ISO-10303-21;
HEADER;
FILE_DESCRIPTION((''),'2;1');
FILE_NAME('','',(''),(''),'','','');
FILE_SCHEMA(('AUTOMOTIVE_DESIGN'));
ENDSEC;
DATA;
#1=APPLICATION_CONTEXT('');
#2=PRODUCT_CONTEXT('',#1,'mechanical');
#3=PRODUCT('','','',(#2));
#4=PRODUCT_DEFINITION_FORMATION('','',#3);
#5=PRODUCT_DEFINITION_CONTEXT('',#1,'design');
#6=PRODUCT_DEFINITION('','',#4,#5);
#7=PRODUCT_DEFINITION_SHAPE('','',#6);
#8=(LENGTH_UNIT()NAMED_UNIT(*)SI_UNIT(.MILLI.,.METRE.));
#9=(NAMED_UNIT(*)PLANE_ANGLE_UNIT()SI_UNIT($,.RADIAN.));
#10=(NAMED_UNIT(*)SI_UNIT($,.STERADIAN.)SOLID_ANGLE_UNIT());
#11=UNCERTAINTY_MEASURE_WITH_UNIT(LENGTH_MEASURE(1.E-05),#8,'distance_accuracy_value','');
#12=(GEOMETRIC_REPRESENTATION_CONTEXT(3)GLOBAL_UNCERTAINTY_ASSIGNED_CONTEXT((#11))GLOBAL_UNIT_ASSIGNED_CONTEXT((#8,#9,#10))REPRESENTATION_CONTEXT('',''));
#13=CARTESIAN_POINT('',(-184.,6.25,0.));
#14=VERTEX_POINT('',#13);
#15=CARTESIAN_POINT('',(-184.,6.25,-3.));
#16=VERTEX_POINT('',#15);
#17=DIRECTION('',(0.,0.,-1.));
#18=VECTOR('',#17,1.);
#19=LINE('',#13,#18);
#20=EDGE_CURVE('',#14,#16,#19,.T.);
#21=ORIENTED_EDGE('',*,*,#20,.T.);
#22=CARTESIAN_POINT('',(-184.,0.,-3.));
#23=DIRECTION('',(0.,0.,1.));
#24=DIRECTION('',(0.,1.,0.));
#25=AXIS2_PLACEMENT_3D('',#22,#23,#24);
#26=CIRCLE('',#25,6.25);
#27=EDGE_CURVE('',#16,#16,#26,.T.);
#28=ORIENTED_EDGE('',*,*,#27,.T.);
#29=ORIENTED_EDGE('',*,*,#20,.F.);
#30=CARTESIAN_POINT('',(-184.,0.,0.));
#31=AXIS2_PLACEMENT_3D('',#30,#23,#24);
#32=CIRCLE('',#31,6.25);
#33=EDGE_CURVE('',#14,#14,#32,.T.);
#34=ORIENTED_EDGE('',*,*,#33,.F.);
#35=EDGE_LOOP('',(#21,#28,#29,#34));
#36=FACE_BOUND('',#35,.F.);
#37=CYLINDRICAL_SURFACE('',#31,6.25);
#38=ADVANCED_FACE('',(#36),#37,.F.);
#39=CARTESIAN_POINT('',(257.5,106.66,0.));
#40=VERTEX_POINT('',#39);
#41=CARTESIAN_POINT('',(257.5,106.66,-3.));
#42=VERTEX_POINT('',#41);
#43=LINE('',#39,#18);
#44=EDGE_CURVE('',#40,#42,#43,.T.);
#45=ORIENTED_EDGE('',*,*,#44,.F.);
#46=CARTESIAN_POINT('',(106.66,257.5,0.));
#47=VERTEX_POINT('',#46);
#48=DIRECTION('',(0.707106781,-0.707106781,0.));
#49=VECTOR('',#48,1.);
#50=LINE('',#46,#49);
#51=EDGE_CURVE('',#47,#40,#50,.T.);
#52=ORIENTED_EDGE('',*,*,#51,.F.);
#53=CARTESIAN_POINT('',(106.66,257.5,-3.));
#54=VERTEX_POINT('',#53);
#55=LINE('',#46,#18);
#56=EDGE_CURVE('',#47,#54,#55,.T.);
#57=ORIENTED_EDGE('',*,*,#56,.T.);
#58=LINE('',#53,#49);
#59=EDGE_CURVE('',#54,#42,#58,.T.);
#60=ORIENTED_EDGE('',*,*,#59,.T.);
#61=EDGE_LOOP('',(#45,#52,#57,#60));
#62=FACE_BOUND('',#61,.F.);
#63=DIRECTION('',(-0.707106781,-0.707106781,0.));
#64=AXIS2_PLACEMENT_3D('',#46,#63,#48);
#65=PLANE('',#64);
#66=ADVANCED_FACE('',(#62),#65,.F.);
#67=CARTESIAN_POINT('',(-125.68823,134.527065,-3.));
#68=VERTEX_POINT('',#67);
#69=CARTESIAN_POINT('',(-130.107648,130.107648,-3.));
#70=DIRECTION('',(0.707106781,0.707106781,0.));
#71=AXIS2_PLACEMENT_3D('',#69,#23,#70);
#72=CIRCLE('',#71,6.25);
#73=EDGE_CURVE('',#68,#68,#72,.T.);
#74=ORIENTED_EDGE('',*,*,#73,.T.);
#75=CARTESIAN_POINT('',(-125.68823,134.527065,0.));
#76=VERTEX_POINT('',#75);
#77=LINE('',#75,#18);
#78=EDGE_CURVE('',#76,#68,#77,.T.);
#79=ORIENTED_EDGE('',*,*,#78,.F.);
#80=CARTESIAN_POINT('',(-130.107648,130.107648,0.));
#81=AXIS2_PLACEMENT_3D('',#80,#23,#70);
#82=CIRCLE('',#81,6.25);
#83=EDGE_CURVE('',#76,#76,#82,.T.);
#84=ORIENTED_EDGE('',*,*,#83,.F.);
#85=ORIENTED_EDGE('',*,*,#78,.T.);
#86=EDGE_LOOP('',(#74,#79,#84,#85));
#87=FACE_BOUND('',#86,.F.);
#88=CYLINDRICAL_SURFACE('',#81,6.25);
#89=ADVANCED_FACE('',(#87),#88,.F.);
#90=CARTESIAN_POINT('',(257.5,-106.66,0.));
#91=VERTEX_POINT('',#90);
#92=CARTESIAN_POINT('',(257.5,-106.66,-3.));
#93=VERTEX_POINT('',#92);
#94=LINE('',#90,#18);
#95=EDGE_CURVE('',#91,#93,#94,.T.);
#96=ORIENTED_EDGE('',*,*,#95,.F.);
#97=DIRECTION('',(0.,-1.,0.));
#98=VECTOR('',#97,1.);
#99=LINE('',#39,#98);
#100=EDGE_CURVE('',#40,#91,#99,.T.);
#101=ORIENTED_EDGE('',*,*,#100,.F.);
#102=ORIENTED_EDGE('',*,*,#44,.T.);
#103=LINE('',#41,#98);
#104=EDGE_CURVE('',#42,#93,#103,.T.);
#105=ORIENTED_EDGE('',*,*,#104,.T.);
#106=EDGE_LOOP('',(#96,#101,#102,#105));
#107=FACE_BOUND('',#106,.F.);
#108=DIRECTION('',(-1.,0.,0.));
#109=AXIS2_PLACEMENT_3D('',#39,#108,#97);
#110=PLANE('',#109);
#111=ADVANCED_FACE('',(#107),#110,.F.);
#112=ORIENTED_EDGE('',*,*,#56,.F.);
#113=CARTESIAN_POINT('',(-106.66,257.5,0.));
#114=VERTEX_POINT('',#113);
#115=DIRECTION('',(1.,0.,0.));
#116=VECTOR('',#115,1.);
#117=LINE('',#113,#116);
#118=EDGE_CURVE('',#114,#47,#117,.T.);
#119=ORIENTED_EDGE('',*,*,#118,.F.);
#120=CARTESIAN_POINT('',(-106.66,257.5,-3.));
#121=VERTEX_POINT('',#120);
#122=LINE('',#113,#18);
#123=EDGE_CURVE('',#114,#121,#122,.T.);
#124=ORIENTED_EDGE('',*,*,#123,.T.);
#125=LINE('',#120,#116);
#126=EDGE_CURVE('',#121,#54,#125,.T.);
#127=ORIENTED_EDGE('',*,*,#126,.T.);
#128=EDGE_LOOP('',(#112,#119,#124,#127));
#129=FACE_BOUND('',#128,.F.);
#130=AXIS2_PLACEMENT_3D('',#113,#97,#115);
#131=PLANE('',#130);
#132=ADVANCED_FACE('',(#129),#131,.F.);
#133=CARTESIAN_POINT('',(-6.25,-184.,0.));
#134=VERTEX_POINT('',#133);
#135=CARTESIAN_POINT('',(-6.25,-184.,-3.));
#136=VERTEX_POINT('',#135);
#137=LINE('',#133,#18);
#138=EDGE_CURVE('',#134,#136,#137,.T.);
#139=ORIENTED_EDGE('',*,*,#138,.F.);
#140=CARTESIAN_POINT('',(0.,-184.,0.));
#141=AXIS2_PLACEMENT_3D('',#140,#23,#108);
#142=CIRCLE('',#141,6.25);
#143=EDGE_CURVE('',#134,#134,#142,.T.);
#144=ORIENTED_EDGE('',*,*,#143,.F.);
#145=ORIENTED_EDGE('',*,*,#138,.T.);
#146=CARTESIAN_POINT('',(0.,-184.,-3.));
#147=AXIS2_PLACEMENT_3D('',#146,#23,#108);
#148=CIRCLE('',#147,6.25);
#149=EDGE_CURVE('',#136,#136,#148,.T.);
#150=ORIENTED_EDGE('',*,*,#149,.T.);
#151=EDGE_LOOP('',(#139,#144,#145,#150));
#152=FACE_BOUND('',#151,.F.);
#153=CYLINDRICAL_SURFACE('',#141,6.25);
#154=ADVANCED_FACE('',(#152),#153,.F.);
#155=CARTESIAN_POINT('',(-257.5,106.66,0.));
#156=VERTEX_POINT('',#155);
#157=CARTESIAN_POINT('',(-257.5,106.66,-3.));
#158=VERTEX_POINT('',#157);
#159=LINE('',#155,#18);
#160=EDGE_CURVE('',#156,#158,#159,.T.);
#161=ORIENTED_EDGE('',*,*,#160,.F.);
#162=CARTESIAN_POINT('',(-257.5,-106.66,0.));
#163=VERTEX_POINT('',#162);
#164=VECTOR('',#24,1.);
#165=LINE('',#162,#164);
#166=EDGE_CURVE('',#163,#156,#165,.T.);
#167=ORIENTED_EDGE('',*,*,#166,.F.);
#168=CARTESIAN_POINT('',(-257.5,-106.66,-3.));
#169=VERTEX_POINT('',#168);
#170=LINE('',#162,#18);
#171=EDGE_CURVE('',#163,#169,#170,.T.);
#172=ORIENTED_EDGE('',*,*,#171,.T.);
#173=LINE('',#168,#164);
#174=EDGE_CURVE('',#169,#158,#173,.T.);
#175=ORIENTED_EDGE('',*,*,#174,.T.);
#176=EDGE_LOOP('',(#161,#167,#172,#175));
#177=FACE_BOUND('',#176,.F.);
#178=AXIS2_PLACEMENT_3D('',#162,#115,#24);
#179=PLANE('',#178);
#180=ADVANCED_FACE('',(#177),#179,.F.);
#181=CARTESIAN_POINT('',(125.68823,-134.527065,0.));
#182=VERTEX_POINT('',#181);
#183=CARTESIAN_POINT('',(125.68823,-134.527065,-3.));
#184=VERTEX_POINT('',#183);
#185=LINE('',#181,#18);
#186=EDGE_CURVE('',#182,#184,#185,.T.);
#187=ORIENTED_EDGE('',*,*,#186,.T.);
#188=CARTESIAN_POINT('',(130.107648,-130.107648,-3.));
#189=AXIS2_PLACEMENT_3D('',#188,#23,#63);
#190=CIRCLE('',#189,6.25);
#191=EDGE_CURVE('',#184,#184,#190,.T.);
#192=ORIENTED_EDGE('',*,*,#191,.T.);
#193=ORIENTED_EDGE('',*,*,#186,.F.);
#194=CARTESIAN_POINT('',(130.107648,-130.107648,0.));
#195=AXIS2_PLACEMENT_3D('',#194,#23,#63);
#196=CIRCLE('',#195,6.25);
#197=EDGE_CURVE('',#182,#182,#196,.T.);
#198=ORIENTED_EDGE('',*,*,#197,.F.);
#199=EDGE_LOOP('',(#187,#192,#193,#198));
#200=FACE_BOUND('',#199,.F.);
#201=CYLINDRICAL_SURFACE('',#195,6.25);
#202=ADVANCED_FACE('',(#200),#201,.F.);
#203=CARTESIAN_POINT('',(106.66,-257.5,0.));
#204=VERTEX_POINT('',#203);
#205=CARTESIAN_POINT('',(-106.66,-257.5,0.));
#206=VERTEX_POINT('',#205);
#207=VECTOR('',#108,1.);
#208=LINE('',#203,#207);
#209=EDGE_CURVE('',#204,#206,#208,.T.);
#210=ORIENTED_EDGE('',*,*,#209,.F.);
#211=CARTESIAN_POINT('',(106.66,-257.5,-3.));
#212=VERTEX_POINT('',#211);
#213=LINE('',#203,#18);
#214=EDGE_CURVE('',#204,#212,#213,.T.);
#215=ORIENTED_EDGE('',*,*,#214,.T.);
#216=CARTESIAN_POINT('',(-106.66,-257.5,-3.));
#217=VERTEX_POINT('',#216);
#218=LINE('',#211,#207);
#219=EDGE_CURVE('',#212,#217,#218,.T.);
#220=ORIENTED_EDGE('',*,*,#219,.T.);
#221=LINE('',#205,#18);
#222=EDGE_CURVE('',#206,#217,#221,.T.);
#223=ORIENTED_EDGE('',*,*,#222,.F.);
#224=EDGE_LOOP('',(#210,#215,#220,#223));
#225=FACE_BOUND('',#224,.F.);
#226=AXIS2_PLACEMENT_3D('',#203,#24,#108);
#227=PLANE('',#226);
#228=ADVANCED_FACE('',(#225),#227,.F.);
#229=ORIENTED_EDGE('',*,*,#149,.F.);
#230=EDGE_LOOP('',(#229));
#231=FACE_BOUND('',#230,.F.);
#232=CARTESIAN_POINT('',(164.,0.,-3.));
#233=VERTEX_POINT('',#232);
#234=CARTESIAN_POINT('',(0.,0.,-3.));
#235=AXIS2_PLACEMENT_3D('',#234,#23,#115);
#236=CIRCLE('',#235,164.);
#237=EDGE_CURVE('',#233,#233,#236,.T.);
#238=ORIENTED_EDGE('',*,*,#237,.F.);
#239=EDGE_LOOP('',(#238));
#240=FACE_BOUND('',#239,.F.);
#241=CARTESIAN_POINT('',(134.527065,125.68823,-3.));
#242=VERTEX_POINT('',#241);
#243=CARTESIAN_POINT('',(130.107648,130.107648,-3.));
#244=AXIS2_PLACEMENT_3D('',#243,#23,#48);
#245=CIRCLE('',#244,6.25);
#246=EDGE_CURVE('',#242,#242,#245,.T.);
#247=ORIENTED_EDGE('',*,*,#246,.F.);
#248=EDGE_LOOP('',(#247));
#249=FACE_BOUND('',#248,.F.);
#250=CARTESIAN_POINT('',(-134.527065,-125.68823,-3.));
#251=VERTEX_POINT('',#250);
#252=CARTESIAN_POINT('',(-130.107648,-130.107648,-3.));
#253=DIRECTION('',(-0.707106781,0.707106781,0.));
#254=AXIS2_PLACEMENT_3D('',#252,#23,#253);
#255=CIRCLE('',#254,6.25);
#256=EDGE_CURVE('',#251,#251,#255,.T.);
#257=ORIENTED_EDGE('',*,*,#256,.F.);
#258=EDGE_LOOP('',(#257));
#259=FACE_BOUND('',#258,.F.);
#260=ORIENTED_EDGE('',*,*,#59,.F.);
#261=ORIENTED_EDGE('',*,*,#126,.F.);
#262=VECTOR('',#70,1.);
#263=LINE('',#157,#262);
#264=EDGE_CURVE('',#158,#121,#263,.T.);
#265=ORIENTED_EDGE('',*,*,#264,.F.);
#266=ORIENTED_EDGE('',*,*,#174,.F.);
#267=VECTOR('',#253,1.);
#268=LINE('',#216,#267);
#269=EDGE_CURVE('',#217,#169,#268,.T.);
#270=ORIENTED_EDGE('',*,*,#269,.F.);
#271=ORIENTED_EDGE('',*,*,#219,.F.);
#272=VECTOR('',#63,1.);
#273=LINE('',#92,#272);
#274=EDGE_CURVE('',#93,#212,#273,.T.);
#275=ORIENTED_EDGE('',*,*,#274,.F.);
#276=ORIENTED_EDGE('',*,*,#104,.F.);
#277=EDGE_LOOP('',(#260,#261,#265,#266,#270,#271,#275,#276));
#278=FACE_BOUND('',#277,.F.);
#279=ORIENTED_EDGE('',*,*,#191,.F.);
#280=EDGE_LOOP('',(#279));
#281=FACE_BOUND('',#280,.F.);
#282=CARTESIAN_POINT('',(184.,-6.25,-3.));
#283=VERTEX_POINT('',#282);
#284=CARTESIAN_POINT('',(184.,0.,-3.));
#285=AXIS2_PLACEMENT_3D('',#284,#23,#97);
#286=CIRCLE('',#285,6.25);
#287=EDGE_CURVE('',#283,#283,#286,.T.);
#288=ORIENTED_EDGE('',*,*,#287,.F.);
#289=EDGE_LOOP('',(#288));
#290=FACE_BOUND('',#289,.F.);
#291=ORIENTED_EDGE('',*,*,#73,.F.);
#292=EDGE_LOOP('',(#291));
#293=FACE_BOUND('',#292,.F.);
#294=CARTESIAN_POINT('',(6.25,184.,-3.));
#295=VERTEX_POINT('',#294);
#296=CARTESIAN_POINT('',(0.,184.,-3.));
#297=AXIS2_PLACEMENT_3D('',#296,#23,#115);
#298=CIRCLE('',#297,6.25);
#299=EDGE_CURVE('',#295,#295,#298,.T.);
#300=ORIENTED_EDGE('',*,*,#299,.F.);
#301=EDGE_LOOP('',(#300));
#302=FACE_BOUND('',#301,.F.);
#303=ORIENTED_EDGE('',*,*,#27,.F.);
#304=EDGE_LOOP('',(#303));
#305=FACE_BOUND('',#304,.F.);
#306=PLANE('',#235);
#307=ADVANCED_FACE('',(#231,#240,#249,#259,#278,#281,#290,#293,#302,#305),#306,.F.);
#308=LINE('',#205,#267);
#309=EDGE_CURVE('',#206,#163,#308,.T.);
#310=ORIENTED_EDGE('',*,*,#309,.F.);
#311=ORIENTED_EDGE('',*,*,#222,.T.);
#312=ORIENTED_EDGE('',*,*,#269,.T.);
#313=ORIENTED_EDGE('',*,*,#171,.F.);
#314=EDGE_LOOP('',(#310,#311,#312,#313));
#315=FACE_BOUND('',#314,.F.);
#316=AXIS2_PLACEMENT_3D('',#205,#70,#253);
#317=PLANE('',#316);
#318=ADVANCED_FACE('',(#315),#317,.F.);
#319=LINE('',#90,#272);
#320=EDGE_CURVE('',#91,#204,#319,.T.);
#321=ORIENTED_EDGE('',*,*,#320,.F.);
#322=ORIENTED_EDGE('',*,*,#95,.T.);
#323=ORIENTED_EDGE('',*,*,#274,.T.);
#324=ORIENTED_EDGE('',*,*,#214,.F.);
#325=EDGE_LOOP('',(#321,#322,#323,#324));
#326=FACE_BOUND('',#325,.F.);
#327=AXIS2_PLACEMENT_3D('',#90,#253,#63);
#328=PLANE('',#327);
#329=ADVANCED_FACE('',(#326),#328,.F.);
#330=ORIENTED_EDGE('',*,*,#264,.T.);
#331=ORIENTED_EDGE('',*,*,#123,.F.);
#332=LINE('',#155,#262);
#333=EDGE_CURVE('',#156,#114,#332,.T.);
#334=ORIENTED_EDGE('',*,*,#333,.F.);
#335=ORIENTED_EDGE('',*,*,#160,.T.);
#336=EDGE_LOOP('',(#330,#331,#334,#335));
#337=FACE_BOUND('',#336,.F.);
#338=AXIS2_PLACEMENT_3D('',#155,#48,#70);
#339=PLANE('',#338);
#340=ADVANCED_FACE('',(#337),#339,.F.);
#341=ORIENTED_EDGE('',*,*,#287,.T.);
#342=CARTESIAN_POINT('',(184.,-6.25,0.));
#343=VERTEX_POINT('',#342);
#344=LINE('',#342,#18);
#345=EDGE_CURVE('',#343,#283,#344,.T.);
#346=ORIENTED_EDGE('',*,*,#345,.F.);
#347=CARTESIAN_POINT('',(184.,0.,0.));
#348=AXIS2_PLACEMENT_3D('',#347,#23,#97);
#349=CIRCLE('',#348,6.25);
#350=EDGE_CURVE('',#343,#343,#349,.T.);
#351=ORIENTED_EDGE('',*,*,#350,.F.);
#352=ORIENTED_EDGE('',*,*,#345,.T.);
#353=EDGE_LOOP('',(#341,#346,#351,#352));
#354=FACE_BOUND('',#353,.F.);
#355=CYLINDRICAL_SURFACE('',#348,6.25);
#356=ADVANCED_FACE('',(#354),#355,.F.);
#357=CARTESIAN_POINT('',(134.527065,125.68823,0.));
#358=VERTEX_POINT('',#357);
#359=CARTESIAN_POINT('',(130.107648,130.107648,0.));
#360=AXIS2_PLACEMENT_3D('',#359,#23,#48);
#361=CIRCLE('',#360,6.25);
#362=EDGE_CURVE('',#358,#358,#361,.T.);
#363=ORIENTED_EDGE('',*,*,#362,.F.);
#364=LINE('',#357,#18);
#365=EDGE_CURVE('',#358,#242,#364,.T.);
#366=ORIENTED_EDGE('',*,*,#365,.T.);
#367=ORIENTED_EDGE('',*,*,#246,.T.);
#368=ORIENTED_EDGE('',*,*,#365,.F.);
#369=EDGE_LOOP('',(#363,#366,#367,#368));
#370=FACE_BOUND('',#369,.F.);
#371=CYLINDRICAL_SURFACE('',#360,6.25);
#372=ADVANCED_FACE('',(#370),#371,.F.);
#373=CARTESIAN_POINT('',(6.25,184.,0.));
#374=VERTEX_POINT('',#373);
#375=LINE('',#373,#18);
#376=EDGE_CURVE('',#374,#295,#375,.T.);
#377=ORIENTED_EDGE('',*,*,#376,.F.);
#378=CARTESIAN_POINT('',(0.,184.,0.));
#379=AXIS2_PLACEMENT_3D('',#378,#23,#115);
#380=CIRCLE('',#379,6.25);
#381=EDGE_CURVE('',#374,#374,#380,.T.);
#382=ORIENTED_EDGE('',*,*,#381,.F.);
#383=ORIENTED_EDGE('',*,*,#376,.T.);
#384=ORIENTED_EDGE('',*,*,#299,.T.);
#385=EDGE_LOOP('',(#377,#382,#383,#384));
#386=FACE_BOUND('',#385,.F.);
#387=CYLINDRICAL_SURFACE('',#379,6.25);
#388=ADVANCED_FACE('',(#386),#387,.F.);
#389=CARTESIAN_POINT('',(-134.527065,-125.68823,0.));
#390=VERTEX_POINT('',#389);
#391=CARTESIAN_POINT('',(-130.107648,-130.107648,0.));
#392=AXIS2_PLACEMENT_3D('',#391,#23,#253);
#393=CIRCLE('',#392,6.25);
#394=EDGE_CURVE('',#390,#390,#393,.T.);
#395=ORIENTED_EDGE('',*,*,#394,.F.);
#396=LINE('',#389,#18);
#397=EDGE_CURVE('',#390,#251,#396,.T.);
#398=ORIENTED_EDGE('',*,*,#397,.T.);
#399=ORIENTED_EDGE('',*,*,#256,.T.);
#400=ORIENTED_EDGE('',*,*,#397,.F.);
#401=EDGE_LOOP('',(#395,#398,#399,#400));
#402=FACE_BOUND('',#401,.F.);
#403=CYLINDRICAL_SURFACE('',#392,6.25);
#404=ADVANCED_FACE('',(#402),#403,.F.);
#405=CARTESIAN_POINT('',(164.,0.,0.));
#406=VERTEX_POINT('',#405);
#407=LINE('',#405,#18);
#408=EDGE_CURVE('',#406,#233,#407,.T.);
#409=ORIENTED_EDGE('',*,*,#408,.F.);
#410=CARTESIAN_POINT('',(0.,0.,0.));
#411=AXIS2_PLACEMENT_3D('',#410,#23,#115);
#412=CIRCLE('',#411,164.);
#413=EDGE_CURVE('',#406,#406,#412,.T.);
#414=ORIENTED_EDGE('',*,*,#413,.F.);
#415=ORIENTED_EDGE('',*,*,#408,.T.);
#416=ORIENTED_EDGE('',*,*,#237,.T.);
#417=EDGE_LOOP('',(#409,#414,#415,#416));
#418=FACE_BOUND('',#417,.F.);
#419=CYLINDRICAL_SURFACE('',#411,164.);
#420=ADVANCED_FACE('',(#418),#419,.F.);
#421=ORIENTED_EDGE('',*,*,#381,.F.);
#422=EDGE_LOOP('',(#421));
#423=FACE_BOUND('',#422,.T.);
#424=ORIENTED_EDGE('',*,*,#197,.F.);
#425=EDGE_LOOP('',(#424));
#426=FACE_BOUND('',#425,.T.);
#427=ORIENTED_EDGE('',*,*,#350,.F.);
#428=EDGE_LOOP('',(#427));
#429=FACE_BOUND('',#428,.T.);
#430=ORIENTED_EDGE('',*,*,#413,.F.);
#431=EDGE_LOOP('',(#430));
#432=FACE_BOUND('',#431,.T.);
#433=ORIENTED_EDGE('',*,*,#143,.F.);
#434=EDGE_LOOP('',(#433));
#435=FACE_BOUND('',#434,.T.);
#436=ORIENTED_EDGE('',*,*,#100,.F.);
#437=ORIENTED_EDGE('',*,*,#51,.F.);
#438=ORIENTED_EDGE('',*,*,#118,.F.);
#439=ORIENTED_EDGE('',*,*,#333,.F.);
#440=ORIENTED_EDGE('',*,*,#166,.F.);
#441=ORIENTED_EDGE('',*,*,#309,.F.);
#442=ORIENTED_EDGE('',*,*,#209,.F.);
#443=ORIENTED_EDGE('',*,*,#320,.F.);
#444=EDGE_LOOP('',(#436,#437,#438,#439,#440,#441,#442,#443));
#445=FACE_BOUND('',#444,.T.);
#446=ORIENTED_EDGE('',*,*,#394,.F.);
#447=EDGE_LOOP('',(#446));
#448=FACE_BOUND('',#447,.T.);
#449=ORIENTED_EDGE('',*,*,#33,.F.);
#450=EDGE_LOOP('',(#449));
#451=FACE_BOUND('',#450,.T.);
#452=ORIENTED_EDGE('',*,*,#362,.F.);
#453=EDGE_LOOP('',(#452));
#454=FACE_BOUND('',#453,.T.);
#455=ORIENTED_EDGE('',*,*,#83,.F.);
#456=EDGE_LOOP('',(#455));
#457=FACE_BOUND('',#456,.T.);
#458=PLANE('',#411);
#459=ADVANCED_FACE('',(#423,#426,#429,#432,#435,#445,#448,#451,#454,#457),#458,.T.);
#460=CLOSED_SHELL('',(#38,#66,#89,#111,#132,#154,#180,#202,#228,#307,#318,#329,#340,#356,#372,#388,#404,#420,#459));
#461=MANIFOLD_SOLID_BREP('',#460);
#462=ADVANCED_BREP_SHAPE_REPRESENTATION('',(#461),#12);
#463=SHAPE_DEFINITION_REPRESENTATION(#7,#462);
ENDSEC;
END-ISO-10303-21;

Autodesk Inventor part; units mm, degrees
ref_plane "YZ Plane" through (0, 0, 0) normal (1, 0, 0) x (0, 1, 0)
ref_plane "XZ Plane" through (0, 0, 0) normal (0, 1, 0) x (-1, 0, 0)
ref_plane "XY Plane" through (0, 0, 0) normal (0, 0, 1) x (1, 0, 0)
sketch "Sketch2" plane through (0, 0, 0) normal (0, 0, 1) x (1, 0, 0)
  line L0 (-257.5, 106.66) -> (-106.66, 257.5)
  line L1 (-106.66, 257.5) -> (106.66, 257.5)
  line L2 (106.66, 257.5) -> (257.5, 106.66)
  line L3 (257.5, 106.66) -> (257.5, -106.66)
  line L4 (257.5, -106.66) -> (106.66, -257.5)
  line L5 (106.66, -257.5) -> (-106.66, -257.5)
  line L6 (-106.66, -257.5) -> (-257.5, -106.66)
  line L7 (-257.5, -106.66) -> (-257.5, 106.66)
  circle A0 centre (0, 0) radius 164
  point P0 (0, 257.5)
  dimension "d23" = 515
  dimension "d26" = 328
extrude "Plate1" add sketch "Sketch2" against normal blind 3
sketch "Sketch4" plane through (0, 0, 0) normal (0, 0, 1) x (1, 0, 0)
  circle A0 centre (0, 184) radius 6.25
  circle A1 centre (0, 0) radius 164 projected
  dimension "d16" = 12.5
  dimension "d17" = 184
extrude "Extrusion1" cut sketch "Sketch4" against normal up to surface (3 mm away) contours A0
pattern_circular "Circular Pattern1" count 8 over 360 about axis through (0, 0, -10) along (0, 0, 1) of "Extrusion1"
equation "\"d23\" = Барабан_размер_по_плоскостям"
equation "\"d15\" = Thickness"
equation "\"BendRadius\" = Thickness"
equation "\"BendReliefWidth\" = Thickness"
equation "\"BendReliefDepth\" = 0.5 * Thickness"
equation "\"CornerReliefSize\" = 4 * Thickness"
equation "\"MinimumRemnant\" = 2 * Thickness"
equation "\"TransitionRadius\" = BendRadius"
equation "\"JacobiRadiusSize\" = BendRadius"
equation "\"GapSize\" = Thickness"
equation "\"Барабан_размер_по_плоскостям\" = 515"
equation "\"Thickness\" = 3"
properties part number "DMF 01 22 Барабан торец КОРМА v2.1"
